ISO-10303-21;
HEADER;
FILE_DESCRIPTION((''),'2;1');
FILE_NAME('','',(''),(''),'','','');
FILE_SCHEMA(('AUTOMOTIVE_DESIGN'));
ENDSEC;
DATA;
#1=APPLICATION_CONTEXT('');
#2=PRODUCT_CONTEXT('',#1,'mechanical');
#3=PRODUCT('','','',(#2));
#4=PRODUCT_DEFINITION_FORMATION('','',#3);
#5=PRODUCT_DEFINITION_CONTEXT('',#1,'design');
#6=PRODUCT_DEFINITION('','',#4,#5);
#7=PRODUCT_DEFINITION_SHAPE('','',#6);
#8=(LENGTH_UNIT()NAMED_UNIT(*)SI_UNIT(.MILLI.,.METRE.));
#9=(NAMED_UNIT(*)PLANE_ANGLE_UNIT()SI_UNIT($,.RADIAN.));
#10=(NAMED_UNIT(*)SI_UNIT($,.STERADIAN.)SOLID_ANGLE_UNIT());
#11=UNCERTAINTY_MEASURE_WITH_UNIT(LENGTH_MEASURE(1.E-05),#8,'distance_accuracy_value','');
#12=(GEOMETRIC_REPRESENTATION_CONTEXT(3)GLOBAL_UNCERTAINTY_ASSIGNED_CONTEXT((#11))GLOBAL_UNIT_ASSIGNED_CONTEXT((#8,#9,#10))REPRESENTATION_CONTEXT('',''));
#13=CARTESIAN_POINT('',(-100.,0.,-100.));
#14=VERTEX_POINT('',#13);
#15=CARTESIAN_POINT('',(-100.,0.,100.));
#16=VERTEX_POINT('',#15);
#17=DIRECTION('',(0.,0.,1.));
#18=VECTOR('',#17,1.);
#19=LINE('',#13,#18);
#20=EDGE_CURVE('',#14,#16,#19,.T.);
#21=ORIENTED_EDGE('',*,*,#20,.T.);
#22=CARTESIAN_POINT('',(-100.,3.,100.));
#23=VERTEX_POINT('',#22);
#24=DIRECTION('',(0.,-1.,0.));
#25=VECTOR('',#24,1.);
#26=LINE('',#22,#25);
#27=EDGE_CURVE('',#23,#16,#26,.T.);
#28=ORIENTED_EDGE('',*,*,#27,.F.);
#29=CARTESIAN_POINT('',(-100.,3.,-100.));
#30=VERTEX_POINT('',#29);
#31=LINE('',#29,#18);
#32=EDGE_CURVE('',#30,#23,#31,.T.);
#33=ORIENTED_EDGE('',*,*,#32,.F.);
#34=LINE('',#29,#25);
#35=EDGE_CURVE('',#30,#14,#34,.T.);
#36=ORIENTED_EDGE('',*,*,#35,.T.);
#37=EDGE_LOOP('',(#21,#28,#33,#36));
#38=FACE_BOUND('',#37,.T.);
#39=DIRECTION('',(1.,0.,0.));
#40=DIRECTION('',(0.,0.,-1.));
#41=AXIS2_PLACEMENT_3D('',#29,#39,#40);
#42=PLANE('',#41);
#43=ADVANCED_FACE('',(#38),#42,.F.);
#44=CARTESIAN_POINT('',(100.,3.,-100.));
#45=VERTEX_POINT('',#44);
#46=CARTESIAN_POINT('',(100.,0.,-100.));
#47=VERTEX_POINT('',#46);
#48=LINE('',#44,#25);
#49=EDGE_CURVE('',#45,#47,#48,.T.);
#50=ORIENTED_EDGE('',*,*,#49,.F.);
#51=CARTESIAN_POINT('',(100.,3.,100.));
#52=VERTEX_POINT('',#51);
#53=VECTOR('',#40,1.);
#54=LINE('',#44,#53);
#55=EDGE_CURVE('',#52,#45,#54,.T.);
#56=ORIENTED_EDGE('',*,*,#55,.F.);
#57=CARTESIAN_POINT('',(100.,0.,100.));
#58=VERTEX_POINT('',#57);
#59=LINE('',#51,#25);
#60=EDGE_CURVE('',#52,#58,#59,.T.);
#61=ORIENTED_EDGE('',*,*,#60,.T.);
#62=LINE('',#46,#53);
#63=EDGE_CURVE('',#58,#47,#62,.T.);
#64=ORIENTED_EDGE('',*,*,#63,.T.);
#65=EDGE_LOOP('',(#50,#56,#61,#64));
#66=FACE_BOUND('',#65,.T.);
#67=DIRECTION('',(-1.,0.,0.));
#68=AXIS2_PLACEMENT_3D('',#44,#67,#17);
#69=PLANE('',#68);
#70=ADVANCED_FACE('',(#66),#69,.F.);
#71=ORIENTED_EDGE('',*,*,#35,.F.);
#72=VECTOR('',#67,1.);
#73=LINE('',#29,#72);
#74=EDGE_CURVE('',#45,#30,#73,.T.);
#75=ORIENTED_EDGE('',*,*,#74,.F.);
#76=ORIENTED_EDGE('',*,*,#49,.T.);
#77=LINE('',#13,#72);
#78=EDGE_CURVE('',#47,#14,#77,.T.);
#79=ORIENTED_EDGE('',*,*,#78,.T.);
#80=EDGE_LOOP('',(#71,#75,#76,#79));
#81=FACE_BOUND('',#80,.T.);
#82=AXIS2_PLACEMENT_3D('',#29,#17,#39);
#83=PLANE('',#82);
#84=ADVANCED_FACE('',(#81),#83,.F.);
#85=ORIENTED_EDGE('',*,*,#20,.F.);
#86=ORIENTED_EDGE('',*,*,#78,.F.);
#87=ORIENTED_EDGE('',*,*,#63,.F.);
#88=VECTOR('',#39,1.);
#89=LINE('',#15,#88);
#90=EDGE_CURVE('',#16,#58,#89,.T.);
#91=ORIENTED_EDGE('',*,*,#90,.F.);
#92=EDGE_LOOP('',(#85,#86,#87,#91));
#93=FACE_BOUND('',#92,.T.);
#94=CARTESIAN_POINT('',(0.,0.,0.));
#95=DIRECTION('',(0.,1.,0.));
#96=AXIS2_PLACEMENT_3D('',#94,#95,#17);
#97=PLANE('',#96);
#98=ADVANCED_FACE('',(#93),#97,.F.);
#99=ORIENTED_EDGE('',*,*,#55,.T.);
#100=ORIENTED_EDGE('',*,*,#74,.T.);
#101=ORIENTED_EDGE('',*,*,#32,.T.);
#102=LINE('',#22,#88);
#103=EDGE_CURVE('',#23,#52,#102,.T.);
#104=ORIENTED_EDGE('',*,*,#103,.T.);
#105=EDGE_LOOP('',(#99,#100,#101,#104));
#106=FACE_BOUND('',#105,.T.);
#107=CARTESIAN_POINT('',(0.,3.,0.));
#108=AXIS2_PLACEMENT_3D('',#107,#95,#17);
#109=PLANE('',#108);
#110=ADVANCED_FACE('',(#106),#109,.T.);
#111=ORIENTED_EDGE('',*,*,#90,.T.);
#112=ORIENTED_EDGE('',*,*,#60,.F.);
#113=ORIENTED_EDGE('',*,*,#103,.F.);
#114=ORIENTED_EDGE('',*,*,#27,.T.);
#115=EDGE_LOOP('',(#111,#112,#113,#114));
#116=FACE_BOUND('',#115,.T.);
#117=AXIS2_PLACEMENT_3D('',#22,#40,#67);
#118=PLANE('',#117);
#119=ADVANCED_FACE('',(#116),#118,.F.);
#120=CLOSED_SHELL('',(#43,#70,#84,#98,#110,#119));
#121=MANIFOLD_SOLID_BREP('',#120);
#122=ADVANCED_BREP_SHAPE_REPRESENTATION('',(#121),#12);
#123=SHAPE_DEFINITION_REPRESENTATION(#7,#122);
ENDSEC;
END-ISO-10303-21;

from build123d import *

# Parameters (mm, degrees)
SKETCH_1_W      = 200
SKETCH_1_H      = 200
EXTRUDE_1_DEPTH = 3


with BuildPart() as part:
    # 스케치1 → 보스-돌출1 (new body)
    with BuildSketch(Plane(origin=(0, 0, 0), x_dir=(1, 0, 0), z_dir=(0, 1, 0))):
        Rectangle(SKETCH_1_W, SKETCH_1_H)
    extrude(amount=EXTRUDE_1_DEPTH)


solid = part.part
